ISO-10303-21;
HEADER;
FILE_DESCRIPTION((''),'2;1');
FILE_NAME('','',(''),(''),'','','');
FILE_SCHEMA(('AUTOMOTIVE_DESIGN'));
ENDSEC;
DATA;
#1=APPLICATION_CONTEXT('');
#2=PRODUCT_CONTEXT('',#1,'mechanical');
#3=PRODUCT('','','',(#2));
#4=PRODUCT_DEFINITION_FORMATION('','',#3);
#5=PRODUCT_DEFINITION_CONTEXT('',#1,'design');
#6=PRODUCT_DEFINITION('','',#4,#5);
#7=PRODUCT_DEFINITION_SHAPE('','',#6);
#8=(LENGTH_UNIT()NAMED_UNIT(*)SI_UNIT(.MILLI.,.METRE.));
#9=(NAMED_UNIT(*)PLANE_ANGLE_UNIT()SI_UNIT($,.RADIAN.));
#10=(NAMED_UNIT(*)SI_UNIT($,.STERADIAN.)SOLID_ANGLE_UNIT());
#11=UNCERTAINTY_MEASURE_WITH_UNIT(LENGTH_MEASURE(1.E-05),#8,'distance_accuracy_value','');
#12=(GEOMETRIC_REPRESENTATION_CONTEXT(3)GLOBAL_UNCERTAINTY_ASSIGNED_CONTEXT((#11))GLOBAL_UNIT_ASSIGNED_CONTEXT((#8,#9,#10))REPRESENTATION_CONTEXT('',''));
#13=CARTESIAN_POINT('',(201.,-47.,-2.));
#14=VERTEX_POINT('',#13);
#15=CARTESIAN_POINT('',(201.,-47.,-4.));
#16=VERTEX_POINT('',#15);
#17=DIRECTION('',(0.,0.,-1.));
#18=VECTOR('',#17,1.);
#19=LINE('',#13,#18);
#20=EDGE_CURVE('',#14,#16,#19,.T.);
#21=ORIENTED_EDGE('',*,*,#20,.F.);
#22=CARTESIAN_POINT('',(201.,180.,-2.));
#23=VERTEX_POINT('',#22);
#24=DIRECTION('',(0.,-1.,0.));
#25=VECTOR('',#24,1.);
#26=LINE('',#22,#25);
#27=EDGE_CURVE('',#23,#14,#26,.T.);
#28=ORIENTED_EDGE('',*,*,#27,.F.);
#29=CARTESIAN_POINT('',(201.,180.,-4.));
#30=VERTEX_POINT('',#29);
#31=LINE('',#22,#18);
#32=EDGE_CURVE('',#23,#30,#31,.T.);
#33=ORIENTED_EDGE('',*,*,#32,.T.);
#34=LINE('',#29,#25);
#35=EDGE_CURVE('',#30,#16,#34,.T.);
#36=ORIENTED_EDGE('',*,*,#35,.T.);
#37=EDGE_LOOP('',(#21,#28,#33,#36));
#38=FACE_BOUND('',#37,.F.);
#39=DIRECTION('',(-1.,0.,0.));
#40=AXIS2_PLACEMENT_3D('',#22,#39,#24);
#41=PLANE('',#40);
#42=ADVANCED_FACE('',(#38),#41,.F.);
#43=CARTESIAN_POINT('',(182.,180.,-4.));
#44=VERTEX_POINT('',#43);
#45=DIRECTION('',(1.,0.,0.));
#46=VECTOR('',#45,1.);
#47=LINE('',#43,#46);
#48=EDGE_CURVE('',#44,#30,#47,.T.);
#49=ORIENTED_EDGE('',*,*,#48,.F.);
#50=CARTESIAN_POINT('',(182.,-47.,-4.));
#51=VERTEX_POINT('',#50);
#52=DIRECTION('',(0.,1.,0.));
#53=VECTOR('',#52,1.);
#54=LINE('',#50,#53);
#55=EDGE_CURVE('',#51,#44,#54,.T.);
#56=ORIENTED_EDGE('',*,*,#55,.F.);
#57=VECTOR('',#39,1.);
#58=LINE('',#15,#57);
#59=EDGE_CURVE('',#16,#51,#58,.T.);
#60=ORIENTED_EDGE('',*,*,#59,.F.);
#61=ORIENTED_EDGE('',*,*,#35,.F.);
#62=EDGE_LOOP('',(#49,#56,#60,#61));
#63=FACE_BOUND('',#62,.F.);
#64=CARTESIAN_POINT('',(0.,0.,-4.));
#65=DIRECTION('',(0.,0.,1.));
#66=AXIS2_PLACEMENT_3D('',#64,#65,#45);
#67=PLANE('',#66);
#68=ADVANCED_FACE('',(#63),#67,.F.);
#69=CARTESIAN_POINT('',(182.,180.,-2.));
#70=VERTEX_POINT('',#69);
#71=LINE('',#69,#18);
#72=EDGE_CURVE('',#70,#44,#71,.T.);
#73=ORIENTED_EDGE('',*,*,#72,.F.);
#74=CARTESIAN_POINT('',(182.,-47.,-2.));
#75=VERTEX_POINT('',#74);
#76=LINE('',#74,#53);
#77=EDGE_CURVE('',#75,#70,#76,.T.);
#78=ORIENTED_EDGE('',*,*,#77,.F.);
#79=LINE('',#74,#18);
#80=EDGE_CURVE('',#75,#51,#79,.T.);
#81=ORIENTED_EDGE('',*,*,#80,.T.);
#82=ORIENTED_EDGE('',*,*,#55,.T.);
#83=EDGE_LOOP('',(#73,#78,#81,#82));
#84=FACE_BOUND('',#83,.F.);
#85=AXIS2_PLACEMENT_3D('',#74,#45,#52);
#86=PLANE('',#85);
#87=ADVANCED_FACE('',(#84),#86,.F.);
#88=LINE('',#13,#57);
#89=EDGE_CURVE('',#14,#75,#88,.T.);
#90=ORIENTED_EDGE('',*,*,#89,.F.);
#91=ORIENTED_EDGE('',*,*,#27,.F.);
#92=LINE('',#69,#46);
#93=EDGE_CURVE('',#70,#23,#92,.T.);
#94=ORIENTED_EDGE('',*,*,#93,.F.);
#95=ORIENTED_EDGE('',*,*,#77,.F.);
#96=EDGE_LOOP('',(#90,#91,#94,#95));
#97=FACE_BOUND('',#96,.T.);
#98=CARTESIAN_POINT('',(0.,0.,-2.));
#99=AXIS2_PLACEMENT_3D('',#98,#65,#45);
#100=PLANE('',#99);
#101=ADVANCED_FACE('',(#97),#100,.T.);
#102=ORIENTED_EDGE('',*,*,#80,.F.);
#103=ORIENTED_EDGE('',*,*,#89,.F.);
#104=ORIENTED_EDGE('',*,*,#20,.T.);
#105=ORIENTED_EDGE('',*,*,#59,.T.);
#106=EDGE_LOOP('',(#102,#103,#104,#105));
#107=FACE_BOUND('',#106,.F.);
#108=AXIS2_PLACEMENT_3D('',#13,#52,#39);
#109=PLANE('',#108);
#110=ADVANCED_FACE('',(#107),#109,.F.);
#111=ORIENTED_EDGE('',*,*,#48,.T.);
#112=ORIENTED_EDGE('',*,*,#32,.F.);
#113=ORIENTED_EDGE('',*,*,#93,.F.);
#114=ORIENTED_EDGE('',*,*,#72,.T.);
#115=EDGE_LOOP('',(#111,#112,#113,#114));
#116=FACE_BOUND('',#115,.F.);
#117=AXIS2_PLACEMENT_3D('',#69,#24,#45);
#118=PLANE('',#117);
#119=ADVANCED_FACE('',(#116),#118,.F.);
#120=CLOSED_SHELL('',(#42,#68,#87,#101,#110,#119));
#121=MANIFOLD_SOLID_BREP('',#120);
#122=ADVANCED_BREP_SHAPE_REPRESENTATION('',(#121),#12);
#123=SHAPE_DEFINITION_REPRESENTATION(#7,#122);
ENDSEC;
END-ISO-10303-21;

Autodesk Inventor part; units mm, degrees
ref_plane "YZ Plane" through (0, 0, 0) normal (1, 0, 0) x (0, 1, 0)
ref_plane "XZ Plane" through (0, 0, 0) normal (0, 1, 0) x (-1, 0, 0)
ref_plane "XY Plane" through (0, 0, 0) normal (0, 0, 1) x (1, 0, 0)
sketch "Skizze Helper" plane through (0, 0, 0) normal (0, 0, 1) x (1, 0, 0)
  line L0 (-170, -170) -> (170, -170) construction
  line L1 (170, -170) -> (170, 170) construction
  line L2 (170, 170) -> (-170, 170) construction
  line L3 (-170, 170) -> (-170, -170) construction
  line L4 (-170, -170) -> (170, 170) construction
  line L5 (170, -170) -> (-170, 170) construction
  point P0 (0, 0)
  dimension "d0" = 340
  dimension "d1" = 340
sketch "Skizze2" plane through (0, 0, 0) normal (0, 0, 1) x (1, 0, 0)
  line L0 (182, 180) -> (201, 180)
  line L1 (201, 180) -> (201, -47)
  line L2 (201, -47) -> (182, -47)
  line L3 (182, -47) -> (182, 180)
  point P0 (0, 0)
extrude "Extrusion1" add sketch "Skizze2" against normal blind 2
move or copy body "Körper verschieben1" bodies to move or copy 1 copy no translate (0, 0, -2)
properties part number "Schalterhalterung" material "Platinengrün"
